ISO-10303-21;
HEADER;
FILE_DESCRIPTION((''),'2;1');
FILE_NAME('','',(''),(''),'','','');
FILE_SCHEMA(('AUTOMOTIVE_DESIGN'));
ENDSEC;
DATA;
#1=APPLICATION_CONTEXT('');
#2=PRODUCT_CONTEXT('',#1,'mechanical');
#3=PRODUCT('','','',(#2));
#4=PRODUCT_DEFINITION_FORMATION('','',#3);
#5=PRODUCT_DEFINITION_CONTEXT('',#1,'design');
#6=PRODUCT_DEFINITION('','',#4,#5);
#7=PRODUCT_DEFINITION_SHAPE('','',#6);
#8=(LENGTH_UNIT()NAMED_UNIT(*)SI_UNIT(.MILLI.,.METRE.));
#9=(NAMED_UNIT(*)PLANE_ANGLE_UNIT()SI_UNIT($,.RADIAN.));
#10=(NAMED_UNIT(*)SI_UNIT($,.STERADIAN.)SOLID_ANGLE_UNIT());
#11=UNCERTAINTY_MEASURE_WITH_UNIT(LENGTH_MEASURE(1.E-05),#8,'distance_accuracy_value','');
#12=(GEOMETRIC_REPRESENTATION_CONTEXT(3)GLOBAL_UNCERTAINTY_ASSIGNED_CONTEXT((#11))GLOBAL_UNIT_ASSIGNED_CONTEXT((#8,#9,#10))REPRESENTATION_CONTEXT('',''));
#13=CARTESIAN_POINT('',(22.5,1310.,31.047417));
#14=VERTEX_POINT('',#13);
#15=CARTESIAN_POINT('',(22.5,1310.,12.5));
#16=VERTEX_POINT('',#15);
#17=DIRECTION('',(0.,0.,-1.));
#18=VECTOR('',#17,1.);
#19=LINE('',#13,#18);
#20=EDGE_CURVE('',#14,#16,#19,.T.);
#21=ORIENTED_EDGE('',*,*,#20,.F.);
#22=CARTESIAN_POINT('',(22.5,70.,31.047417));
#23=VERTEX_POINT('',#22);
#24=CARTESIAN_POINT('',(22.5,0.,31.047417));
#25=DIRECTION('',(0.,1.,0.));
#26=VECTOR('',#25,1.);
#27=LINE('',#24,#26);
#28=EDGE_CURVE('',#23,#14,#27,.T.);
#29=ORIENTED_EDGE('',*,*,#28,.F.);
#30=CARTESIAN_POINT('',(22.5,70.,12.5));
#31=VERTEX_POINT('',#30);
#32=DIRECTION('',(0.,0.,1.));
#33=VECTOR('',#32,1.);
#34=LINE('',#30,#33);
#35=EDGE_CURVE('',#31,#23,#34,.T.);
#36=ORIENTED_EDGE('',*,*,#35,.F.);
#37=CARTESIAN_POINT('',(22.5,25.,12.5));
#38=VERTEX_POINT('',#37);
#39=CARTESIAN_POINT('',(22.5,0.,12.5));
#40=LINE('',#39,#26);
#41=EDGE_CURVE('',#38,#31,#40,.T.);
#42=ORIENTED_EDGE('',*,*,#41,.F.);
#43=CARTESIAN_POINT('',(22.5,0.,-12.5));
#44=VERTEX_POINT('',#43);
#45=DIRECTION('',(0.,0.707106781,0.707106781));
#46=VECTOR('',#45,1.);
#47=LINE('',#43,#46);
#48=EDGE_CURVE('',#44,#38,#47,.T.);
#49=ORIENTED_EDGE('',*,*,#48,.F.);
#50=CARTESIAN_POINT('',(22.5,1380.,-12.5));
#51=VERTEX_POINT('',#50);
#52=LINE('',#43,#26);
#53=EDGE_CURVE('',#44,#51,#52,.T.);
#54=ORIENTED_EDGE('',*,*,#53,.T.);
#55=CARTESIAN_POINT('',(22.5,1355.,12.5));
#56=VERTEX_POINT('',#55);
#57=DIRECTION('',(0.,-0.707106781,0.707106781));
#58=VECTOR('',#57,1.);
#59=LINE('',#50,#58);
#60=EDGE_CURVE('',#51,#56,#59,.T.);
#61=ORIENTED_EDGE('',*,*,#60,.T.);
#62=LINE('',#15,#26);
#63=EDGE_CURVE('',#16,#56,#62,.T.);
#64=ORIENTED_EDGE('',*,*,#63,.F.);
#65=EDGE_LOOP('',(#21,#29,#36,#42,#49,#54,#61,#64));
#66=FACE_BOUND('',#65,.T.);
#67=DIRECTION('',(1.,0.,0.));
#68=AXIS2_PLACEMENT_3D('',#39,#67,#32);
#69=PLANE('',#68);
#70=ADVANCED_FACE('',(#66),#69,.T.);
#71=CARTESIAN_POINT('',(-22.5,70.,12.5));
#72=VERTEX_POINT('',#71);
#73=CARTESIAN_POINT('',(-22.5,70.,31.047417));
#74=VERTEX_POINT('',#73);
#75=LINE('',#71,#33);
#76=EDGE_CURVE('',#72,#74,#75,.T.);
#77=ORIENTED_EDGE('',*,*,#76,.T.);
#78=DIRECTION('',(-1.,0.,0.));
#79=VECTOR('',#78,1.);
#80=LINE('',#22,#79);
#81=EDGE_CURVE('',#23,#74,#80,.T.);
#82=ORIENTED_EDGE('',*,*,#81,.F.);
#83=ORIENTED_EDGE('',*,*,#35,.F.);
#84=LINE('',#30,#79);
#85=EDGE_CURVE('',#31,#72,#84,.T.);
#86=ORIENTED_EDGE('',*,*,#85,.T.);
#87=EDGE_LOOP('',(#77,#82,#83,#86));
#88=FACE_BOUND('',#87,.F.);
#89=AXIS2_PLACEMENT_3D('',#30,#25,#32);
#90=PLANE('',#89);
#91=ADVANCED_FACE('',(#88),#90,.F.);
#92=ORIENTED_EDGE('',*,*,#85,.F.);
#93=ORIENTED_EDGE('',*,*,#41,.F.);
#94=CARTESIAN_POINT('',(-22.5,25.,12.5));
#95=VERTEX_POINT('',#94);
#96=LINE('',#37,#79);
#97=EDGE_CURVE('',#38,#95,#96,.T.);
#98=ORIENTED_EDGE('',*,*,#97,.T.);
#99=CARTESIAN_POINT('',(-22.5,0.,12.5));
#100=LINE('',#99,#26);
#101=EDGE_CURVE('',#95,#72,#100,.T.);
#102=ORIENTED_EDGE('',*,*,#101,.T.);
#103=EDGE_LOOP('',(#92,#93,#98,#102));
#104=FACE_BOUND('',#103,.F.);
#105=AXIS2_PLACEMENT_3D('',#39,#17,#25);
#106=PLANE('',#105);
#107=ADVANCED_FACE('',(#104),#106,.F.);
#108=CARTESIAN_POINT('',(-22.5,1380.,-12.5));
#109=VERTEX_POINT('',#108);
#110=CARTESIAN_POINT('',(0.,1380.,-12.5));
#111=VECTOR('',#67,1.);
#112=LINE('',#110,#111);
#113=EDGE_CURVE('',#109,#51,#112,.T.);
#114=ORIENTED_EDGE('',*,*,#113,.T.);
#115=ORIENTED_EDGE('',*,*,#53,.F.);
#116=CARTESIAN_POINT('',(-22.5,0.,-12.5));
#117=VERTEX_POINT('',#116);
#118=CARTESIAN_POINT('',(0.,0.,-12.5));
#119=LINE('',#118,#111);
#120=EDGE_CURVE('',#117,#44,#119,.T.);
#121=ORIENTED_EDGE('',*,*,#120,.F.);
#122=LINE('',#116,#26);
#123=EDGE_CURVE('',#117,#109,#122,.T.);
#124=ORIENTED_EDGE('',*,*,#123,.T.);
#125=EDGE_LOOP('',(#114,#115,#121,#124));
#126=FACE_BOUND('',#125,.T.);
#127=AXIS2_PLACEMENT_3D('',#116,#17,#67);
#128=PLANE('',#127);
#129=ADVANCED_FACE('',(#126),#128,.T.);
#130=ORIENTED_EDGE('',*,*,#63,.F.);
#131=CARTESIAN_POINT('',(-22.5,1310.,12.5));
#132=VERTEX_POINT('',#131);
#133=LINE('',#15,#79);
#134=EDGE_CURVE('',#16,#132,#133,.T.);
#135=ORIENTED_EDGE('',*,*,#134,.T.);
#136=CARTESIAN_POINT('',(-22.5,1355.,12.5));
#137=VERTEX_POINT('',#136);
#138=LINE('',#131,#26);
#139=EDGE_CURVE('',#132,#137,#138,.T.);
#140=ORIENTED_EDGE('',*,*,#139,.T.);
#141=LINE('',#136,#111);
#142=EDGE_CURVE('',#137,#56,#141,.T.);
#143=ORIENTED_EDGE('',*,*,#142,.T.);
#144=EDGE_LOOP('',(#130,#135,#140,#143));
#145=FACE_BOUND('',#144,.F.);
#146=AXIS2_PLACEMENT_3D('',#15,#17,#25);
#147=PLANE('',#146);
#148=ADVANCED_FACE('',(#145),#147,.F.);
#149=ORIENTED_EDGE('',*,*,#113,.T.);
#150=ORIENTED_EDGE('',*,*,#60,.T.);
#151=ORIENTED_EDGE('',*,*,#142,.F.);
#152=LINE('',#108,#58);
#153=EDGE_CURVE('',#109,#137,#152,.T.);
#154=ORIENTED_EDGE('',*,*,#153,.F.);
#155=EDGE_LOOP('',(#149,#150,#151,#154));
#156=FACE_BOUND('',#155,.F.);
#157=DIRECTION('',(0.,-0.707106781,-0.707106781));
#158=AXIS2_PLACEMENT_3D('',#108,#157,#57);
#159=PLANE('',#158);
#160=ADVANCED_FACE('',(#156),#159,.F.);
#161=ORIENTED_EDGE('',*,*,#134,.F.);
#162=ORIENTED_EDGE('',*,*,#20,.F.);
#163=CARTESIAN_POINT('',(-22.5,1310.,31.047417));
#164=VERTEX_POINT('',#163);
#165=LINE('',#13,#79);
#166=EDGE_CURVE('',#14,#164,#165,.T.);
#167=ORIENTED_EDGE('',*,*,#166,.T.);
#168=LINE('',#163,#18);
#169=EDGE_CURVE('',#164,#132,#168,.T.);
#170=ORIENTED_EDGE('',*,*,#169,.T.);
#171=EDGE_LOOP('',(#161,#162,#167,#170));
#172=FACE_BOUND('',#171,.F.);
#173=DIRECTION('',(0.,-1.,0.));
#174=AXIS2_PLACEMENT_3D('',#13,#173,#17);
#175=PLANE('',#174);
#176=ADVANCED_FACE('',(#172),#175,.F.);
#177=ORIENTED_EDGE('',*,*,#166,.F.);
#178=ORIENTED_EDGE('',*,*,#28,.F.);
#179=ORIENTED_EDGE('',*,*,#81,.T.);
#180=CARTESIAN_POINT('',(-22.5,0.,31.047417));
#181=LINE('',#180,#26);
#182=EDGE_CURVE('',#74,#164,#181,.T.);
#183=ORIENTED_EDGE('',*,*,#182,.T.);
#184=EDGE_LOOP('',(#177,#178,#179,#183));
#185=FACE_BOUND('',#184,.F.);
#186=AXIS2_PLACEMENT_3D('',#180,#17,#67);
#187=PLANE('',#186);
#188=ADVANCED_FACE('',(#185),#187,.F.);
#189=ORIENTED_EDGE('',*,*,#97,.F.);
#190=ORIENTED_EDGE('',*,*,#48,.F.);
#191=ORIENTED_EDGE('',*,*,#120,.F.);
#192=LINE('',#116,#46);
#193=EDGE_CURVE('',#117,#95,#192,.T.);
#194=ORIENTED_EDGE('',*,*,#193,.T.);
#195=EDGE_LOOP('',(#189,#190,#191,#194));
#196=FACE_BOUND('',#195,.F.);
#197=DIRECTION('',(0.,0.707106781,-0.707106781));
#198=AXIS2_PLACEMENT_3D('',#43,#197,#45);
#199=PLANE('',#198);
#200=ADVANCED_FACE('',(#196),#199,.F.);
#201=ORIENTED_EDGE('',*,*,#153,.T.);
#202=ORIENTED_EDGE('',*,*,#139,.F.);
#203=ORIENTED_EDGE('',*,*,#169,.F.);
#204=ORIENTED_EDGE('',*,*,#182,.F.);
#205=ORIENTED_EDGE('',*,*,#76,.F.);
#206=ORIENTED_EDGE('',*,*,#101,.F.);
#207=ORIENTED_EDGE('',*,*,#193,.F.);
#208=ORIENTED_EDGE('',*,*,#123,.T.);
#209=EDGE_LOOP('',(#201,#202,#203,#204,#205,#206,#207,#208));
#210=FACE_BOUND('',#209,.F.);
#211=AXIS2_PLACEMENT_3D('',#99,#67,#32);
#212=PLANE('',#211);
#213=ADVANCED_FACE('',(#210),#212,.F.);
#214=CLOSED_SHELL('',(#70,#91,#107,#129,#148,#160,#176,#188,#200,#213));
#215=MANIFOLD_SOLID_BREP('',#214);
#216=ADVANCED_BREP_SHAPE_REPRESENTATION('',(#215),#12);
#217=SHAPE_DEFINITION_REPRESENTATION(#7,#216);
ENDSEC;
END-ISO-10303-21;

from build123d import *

# Parameters (mm, degrees)
F0_W      = 45
F0_H      = 25
F1_DEPTH  = 1380
F3_DEPTH  = 45
F5_DEPTH  = 45
F6_W      = 45
F6_H      = 18.5474166647
F7_DEPTH  = 1380
F9_DEPTH  = 45
F11_DEPTH = 45


with BuildPart() as f1:
    # F0 (on Front) → F1 (new body)
    with BuildSketch(Plane.XZ):
        Rectangle(F0_W, F0_H)
    extrude(amount=-F1_DEPTH)

    # F2 (on face) → F3 (cut)
    with BuildSketch(Plane.YZ.offset(22.5)):
        Polygon((0, 12.5), (0, -12.5), (25, 12.5), align=None)
    extrude(amount=-F3_DEPTH, mode=Mode.SUBTRACT)

    # F4 (on face) → F5 (cut)
    with BuildSketch(Plane(origin=(-22.5, 0, 0), x_dir=(0, -1, 0), z_dir=(-1, 0, 0))):
        Polygon((-1380, 12.5), (-1380, -12.5), (-1355, 12.5), align=None)
    extrude(amount=-F5_DEPTH, mode=Mode.SUBTRACT)

    # F6 (on Front) → F7 (join)
    with BuildSketch(Plane.XZ):
        with Locations((0, 21.7737083323)):
            Rectangle(F6_W, F6_H)
    extrude(amount=-F7_DEPTH)

    # F8 (on face) → F9 (cut)
    with BuildSketch(Plane.YZ.offset(22.5)):
        Polygon((70, 31.0474166647), (0, 31.0474166647), (0, 12.5), (25, 12.5), (70, 12.5), align=None)
    extrude(amount=-F9_DEPTH, mode=Mode.SUBTRACT)

    # F10 (on face) → F11 (cut)
    with BuildSketch(Plane.YZ.offset(22.5)):
        Polygon((1355, 12.5), (1380, 12.5), (1380, 31.0474166647), (1310, 31.0474166647), (1310, 12.5), align=None)
    extrude(amount=-F11_DEPTH, mode=Mode.SUBTRACT)


solid = f1.part
